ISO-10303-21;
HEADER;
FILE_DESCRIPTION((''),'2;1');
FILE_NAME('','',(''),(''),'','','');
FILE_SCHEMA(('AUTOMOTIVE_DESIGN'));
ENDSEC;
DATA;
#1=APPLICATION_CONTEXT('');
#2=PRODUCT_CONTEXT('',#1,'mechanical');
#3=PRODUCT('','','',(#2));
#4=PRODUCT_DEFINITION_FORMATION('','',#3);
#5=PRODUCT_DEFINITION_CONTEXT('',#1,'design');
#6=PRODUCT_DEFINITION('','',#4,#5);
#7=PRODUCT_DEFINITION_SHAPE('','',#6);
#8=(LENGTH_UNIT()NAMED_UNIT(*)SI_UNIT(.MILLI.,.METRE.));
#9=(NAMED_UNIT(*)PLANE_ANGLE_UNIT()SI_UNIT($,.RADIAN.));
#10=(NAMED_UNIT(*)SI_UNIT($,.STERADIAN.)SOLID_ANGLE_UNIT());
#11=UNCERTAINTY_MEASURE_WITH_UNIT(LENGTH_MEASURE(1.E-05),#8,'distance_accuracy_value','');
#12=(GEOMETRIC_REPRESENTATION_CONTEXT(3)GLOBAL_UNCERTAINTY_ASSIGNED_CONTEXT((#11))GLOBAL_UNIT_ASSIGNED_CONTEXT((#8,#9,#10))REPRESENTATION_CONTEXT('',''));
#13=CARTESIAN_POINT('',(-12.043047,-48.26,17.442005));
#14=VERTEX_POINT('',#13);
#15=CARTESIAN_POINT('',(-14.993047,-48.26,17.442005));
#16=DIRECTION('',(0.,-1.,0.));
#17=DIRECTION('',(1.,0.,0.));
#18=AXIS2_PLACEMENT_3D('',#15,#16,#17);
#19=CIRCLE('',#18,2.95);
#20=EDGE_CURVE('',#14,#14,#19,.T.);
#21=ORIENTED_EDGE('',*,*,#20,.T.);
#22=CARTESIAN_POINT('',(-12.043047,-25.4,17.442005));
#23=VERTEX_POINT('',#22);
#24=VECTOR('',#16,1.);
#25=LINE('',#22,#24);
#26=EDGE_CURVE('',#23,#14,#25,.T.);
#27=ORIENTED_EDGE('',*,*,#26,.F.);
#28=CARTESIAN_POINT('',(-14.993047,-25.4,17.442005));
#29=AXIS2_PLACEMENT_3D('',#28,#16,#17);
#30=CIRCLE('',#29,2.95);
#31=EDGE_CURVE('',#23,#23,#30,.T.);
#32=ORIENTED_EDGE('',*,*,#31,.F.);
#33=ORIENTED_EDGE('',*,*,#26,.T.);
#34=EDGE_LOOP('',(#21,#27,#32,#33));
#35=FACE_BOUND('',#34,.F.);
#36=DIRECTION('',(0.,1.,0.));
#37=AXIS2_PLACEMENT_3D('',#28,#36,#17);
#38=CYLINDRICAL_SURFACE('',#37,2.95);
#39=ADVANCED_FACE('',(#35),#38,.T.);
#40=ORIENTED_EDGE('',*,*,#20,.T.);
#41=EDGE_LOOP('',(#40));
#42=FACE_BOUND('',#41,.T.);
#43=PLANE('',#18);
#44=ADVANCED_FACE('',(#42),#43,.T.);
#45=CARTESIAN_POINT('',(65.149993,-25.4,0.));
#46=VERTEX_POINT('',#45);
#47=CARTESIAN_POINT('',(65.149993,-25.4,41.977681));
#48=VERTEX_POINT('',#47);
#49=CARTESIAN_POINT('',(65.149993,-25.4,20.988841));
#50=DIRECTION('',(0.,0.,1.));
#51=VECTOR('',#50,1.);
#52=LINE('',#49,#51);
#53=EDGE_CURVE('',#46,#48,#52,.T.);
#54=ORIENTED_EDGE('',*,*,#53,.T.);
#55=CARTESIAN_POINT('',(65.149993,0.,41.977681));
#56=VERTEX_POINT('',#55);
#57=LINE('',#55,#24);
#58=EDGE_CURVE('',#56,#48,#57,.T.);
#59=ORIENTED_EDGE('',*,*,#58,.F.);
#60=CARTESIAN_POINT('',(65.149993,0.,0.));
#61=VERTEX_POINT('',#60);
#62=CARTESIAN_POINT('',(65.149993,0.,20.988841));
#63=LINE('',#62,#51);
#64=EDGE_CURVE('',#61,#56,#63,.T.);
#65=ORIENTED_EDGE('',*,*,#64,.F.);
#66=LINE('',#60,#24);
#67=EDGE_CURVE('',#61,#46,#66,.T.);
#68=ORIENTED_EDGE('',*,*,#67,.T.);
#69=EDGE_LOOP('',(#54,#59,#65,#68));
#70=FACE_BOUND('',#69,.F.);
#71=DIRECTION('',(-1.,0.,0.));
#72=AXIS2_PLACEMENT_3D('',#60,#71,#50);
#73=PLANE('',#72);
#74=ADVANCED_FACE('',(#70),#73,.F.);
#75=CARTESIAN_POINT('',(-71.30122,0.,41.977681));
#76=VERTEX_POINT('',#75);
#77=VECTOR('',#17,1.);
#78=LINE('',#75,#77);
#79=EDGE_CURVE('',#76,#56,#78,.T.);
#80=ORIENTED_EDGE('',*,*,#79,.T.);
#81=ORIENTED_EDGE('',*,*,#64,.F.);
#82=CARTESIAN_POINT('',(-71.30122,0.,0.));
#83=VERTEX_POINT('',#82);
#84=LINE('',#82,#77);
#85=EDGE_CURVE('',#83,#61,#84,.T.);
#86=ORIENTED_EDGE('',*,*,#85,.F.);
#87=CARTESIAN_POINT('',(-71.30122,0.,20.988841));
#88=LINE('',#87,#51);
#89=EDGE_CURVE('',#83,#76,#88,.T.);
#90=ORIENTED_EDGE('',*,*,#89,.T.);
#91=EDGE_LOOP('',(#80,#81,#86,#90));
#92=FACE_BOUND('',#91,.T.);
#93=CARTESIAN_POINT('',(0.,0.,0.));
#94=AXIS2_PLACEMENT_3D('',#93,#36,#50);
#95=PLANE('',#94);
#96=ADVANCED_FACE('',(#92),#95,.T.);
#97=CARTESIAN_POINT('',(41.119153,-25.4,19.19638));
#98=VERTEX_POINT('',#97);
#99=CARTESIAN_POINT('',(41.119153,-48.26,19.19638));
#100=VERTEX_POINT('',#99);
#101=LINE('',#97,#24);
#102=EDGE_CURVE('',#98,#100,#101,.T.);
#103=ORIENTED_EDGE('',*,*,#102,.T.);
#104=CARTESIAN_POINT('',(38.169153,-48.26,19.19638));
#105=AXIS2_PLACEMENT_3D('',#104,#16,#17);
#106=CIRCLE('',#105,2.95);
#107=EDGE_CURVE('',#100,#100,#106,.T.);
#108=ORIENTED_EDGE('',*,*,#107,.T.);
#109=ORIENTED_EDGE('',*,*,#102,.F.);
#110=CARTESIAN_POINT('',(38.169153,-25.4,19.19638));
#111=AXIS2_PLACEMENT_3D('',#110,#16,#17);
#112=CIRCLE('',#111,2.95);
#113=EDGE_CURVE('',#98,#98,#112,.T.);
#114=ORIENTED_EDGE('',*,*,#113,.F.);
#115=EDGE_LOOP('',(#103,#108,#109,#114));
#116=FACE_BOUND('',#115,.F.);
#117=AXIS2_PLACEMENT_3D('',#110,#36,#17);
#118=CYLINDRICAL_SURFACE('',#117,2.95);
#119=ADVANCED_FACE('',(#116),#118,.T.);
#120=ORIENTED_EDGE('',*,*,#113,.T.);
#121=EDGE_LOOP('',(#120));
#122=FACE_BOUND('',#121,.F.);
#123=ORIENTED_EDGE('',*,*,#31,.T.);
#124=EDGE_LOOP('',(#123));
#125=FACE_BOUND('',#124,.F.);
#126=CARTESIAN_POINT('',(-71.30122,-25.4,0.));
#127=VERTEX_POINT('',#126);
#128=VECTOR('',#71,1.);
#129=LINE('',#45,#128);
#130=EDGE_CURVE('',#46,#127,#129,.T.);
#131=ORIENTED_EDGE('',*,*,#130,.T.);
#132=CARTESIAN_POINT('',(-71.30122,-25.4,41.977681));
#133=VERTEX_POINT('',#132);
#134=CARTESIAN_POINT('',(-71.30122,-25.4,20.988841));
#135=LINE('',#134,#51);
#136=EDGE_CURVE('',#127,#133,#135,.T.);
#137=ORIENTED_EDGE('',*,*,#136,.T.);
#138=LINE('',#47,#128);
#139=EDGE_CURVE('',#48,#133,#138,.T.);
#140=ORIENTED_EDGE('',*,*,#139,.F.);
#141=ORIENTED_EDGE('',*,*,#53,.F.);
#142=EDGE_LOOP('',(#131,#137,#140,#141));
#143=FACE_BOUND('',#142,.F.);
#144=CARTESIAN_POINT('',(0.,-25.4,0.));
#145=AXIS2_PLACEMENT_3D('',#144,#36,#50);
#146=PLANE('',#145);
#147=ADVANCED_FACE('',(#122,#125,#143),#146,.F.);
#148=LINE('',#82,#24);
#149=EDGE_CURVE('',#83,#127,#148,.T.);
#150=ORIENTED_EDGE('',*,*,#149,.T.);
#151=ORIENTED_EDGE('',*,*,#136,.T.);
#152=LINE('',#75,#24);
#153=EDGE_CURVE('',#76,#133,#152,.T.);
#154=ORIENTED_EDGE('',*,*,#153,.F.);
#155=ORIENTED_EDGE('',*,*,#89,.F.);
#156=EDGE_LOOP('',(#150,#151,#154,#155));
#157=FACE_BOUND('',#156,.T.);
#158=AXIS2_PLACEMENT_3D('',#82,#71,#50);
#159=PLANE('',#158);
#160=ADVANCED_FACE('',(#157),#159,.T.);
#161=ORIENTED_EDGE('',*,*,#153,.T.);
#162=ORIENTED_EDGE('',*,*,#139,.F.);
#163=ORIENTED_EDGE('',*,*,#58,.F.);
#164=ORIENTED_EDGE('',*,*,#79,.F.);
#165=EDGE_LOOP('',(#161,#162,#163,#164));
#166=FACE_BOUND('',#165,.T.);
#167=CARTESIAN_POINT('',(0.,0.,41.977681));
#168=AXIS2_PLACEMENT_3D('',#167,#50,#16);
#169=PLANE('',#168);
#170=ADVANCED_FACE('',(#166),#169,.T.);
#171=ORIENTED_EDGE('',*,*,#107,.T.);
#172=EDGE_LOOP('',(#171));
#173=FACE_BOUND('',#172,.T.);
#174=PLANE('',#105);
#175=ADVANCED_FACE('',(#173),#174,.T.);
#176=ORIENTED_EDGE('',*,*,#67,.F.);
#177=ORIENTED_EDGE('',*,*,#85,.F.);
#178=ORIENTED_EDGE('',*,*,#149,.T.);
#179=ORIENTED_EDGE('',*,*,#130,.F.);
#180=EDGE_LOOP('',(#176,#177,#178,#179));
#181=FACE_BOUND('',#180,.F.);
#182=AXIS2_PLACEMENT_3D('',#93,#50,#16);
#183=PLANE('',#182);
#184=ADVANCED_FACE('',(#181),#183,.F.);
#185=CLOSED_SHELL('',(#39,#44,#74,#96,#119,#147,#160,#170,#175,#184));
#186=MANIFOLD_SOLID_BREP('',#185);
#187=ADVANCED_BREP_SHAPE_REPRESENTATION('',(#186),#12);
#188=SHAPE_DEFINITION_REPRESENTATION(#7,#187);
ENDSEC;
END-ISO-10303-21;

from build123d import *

# Parameters (mm, degrees)
F0_W     = 65.1499927044
F0_H     = 41.9776812196
F1_DEPTH = 25.4
F2_R     = 2.95
F3_DEPTH = 22.86
F4_DEPTH = 71.30122


with BuildPart() as f1:
    # F0 (on Front) → F1 (new body)
    with BuildSketch(Plane.XZ):
        with Locations((32.5749963522, 20.9888406098)):
            Rectangle(F0_W, F0_H)
    extrude(amount=F1_DEPTH)

    # F2 (on face) → F3, piece 2 (join)
    with BuildSketch(Plane.XZ.offset(25.4)):
        with Locations((38.1691530347, 19.1963799298)):
            Circle(F2_R)
    extrude(amount=F3_DEPTH)

    # F4 (add): a face of the model
    f4_faces = [f1.faces().sort_by_distance(p)[0] for p in [
        (0, -12.7, 20.9888406098),
    ]]


with BuildPart() as f3:
    # F2 (on face) → F3 (new body)
    with BuildSketch(Plane.XZ.offset(25.4)):
        with Locations((-14.9930469653, 17.4420047551)):
            Circle(F2_R)
    extrude(amount=F3_DEPTH)


with BuildPart() as f1_1:
    add(f1.part)

    add(f3.part)  # F4 merges F3
    extrude(f4_faces, amount=F4_DEPTH)


solid = f1_1.part
